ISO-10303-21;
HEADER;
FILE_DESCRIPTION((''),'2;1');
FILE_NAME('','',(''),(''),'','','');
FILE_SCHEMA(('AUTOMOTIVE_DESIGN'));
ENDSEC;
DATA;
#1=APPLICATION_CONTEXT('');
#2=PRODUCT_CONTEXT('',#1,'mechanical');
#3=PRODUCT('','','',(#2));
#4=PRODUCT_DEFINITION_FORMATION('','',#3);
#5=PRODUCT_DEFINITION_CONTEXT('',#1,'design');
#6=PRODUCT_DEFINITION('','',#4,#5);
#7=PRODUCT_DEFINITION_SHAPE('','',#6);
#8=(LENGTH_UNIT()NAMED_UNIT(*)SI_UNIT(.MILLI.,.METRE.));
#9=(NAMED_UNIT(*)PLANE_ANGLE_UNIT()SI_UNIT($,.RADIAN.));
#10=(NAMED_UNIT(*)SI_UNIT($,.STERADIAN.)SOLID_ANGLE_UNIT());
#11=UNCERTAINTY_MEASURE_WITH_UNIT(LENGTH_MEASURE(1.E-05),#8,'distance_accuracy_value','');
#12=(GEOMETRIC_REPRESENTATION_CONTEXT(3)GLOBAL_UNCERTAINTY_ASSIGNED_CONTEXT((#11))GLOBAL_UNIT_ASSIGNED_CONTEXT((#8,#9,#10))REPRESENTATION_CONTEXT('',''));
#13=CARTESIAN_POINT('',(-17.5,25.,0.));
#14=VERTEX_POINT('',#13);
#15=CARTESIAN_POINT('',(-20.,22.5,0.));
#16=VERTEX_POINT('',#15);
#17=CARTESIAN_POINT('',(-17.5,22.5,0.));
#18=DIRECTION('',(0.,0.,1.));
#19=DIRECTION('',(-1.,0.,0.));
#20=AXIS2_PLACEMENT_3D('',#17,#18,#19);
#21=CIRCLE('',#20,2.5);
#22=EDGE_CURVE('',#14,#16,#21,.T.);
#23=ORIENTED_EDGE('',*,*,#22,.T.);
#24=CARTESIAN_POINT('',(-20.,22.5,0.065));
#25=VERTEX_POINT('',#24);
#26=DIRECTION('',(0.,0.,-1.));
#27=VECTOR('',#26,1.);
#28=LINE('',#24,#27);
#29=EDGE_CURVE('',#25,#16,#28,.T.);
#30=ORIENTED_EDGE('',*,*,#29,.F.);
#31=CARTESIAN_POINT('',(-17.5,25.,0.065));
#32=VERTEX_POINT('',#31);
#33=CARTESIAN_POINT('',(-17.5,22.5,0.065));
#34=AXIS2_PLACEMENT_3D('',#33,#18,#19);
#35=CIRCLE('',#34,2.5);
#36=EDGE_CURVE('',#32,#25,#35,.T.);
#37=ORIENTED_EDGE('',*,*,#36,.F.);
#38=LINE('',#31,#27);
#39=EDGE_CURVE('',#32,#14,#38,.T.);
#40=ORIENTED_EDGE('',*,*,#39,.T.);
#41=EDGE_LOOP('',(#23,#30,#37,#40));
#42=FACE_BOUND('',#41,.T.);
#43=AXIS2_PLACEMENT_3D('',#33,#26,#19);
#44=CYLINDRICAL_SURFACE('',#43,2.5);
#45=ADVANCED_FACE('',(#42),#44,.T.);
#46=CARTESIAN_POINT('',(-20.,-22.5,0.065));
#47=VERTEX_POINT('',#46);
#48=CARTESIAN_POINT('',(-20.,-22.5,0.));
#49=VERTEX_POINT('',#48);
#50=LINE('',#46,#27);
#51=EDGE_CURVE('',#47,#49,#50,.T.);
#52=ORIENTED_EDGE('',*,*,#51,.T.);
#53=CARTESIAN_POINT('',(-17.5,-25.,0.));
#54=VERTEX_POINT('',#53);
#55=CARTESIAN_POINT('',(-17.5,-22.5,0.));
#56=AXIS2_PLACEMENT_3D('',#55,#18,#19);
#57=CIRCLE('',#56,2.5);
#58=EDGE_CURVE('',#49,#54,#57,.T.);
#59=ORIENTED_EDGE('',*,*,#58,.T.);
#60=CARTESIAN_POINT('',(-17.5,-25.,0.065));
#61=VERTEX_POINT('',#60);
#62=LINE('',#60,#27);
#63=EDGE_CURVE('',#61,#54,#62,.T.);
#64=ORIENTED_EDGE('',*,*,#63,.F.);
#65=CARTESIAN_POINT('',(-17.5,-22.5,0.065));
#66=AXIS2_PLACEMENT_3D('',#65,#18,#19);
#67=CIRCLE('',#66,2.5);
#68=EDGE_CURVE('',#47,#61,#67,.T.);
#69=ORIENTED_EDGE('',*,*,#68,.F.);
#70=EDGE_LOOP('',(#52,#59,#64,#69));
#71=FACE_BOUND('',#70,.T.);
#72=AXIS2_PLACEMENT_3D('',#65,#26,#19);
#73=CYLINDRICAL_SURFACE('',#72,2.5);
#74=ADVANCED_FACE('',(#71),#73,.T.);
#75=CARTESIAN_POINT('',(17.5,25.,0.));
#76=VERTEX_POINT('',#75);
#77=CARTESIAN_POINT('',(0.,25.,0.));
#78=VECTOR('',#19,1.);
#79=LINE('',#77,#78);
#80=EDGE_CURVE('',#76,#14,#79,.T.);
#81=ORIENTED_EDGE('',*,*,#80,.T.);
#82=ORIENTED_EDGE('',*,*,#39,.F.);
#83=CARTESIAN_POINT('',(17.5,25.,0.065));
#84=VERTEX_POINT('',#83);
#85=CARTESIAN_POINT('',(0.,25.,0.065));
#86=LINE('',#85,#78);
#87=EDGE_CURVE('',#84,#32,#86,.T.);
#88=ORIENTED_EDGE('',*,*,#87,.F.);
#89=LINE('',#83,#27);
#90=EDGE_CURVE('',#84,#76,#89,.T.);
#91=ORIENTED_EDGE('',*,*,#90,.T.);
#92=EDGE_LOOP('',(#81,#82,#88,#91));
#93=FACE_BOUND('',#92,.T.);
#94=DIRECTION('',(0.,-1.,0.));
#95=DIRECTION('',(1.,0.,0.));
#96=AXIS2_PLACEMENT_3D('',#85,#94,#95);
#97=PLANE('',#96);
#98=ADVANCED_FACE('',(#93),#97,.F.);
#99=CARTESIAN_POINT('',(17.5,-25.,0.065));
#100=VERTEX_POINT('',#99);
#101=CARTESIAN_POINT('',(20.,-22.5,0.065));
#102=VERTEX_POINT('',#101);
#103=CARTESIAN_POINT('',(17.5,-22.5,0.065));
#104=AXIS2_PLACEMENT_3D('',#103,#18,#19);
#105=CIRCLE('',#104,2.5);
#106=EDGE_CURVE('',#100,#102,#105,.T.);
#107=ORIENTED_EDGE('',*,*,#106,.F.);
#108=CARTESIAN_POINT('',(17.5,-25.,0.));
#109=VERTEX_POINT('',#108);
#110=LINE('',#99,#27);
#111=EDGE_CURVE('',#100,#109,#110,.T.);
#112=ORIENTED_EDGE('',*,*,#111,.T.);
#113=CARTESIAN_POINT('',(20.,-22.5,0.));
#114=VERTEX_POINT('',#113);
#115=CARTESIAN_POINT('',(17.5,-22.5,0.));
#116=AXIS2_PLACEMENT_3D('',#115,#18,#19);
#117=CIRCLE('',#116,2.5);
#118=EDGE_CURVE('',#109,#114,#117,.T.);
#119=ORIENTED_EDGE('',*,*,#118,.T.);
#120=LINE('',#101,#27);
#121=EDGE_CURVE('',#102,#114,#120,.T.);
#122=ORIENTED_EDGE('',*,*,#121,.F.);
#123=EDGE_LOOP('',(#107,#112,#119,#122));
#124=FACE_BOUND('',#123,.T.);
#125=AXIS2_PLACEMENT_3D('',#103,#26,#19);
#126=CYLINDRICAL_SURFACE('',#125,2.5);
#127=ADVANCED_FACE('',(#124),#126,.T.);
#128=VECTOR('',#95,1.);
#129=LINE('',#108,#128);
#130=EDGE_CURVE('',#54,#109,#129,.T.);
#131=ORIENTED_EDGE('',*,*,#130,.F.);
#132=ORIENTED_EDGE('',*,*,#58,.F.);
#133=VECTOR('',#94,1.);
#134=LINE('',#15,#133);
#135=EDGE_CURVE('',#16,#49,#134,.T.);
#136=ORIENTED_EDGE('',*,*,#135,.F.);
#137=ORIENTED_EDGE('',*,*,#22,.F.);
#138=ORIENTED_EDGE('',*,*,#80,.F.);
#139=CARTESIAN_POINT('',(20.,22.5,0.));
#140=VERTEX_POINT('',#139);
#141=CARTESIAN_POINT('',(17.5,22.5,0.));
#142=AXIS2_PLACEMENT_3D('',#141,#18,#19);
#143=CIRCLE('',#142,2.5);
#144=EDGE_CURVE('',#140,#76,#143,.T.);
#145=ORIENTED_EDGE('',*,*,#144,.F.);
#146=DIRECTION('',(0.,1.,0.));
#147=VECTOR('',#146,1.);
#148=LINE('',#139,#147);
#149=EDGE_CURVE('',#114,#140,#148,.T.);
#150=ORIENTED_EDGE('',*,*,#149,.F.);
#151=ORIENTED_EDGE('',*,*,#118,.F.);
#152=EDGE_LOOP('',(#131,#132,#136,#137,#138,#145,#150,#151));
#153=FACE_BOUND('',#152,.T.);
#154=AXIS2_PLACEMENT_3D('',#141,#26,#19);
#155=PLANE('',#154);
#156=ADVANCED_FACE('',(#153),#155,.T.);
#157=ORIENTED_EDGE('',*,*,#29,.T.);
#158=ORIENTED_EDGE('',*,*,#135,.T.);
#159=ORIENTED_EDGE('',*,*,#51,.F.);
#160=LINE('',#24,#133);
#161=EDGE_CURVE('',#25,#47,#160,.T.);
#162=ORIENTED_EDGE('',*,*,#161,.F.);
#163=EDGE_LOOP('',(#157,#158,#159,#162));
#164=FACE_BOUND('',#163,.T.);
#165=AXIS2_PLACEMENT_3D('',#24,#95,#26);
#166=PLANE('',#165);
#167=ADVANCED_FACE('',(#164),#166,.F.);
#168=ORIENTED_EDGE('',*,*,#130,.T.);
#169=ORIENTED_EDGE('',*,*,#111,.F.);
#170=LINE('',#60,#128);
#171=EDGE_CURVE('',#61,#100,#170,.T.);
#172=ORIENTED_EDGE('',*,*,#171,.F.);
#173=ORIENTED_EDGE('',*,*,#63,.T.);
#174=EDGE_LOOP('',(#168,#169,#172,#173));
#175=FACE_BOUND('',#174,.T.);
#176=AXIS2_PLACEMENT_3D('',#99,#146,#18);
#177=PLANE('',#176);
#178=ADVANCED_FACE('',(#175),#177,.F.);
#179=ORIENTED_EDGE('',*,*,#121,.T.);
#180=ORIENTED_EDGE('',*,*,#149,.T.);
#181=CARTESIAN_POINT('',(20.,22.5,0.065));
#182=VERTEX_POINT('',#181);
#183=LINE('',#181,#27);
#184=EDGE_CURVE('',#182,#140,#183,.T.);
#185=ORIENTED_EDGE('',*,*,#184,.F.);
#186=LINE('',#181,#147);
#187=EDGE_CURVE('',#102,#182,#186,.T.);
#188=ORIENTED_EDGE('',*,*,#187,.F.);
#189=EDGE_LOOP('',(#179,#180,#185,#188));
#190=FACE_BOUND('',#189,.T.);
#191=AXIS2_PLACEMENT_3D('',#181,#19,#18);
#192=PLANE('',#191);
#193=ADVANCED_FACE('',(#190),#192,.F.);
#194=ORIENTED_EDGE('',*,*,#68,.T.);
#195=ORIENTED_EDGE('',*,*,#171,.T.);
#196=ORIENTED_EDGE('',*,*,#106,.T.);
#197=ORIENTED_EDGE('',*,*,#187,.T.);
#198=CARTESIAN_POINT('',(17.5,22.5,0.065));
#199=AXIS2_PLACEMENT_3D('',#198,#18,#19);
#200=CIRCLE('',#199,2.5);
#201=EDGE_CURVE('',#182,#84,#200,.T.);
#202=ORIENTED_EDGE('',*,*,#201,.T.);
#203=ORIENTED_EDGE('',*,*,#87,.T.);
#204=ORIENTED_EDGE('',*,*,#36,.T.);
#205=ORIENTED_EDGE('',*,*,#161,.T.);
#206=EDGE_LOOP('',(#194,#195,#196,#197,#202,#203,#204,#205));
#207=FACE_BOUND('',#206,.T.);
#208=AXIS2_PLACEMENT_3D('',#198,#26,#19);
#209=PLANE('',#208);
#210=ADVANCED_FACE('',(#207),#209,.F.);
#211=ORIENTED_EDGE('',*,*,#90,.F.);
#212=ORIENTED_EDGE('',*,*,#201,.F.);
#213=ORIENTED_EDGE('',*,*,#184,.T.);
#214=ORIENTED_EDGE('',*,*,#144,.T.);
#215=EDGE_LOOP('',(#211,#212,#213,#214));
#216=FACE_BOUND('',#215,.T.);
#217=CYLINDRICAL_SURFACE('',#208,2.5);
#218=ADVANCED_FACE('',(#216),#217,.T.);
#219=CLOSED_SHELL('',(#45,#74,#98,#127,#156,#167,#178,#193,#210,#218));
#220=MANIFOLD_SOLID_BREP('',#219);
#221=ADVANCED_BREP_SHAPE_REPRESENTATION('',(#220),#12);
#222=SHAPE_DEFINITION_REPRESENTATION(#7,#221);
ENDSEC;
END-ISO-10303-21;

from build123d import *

# Parameters (mm, degrees)
BOSS_EXTRUDE1_DEPTH = 0.065


with BuildPart() as part:
    # Sketch1 → Boss-Extrude1 (new body)
    with BuildSketch(Plane.XY):
        with BuildLine():
            Line((-5, -25), (5, -25))
            Line((5, -25), (17.5, -25))
            ThreePointArc((17.5, -25), (19.267766953, -24.267766953), (20, -22.5))
            Line((20, -22.5), (20, 22.5))
            ThreePointArc((20, 22.5), (19.267766953, 24.267766953), (17.5, 25))
            Line((17.5, 25), (0, 25))
            Line((0, 25), (-17.5, 25))
            ThreePointArc((-17.5, 25), (-19.267766953, 24.267766953), (-20, 22.5))
            Line((-20, 22.5), (-20, -22.5))
            ThreePointArc((-20, -22.5), (-19.267766953, -24.267766953), (-17.5, -25))
            Line((-17.5, -25), (-5, -25))
        make_face()
    extrude(amount=BOSS_EXTRUDE1_DEPTH)


solid = part.part
